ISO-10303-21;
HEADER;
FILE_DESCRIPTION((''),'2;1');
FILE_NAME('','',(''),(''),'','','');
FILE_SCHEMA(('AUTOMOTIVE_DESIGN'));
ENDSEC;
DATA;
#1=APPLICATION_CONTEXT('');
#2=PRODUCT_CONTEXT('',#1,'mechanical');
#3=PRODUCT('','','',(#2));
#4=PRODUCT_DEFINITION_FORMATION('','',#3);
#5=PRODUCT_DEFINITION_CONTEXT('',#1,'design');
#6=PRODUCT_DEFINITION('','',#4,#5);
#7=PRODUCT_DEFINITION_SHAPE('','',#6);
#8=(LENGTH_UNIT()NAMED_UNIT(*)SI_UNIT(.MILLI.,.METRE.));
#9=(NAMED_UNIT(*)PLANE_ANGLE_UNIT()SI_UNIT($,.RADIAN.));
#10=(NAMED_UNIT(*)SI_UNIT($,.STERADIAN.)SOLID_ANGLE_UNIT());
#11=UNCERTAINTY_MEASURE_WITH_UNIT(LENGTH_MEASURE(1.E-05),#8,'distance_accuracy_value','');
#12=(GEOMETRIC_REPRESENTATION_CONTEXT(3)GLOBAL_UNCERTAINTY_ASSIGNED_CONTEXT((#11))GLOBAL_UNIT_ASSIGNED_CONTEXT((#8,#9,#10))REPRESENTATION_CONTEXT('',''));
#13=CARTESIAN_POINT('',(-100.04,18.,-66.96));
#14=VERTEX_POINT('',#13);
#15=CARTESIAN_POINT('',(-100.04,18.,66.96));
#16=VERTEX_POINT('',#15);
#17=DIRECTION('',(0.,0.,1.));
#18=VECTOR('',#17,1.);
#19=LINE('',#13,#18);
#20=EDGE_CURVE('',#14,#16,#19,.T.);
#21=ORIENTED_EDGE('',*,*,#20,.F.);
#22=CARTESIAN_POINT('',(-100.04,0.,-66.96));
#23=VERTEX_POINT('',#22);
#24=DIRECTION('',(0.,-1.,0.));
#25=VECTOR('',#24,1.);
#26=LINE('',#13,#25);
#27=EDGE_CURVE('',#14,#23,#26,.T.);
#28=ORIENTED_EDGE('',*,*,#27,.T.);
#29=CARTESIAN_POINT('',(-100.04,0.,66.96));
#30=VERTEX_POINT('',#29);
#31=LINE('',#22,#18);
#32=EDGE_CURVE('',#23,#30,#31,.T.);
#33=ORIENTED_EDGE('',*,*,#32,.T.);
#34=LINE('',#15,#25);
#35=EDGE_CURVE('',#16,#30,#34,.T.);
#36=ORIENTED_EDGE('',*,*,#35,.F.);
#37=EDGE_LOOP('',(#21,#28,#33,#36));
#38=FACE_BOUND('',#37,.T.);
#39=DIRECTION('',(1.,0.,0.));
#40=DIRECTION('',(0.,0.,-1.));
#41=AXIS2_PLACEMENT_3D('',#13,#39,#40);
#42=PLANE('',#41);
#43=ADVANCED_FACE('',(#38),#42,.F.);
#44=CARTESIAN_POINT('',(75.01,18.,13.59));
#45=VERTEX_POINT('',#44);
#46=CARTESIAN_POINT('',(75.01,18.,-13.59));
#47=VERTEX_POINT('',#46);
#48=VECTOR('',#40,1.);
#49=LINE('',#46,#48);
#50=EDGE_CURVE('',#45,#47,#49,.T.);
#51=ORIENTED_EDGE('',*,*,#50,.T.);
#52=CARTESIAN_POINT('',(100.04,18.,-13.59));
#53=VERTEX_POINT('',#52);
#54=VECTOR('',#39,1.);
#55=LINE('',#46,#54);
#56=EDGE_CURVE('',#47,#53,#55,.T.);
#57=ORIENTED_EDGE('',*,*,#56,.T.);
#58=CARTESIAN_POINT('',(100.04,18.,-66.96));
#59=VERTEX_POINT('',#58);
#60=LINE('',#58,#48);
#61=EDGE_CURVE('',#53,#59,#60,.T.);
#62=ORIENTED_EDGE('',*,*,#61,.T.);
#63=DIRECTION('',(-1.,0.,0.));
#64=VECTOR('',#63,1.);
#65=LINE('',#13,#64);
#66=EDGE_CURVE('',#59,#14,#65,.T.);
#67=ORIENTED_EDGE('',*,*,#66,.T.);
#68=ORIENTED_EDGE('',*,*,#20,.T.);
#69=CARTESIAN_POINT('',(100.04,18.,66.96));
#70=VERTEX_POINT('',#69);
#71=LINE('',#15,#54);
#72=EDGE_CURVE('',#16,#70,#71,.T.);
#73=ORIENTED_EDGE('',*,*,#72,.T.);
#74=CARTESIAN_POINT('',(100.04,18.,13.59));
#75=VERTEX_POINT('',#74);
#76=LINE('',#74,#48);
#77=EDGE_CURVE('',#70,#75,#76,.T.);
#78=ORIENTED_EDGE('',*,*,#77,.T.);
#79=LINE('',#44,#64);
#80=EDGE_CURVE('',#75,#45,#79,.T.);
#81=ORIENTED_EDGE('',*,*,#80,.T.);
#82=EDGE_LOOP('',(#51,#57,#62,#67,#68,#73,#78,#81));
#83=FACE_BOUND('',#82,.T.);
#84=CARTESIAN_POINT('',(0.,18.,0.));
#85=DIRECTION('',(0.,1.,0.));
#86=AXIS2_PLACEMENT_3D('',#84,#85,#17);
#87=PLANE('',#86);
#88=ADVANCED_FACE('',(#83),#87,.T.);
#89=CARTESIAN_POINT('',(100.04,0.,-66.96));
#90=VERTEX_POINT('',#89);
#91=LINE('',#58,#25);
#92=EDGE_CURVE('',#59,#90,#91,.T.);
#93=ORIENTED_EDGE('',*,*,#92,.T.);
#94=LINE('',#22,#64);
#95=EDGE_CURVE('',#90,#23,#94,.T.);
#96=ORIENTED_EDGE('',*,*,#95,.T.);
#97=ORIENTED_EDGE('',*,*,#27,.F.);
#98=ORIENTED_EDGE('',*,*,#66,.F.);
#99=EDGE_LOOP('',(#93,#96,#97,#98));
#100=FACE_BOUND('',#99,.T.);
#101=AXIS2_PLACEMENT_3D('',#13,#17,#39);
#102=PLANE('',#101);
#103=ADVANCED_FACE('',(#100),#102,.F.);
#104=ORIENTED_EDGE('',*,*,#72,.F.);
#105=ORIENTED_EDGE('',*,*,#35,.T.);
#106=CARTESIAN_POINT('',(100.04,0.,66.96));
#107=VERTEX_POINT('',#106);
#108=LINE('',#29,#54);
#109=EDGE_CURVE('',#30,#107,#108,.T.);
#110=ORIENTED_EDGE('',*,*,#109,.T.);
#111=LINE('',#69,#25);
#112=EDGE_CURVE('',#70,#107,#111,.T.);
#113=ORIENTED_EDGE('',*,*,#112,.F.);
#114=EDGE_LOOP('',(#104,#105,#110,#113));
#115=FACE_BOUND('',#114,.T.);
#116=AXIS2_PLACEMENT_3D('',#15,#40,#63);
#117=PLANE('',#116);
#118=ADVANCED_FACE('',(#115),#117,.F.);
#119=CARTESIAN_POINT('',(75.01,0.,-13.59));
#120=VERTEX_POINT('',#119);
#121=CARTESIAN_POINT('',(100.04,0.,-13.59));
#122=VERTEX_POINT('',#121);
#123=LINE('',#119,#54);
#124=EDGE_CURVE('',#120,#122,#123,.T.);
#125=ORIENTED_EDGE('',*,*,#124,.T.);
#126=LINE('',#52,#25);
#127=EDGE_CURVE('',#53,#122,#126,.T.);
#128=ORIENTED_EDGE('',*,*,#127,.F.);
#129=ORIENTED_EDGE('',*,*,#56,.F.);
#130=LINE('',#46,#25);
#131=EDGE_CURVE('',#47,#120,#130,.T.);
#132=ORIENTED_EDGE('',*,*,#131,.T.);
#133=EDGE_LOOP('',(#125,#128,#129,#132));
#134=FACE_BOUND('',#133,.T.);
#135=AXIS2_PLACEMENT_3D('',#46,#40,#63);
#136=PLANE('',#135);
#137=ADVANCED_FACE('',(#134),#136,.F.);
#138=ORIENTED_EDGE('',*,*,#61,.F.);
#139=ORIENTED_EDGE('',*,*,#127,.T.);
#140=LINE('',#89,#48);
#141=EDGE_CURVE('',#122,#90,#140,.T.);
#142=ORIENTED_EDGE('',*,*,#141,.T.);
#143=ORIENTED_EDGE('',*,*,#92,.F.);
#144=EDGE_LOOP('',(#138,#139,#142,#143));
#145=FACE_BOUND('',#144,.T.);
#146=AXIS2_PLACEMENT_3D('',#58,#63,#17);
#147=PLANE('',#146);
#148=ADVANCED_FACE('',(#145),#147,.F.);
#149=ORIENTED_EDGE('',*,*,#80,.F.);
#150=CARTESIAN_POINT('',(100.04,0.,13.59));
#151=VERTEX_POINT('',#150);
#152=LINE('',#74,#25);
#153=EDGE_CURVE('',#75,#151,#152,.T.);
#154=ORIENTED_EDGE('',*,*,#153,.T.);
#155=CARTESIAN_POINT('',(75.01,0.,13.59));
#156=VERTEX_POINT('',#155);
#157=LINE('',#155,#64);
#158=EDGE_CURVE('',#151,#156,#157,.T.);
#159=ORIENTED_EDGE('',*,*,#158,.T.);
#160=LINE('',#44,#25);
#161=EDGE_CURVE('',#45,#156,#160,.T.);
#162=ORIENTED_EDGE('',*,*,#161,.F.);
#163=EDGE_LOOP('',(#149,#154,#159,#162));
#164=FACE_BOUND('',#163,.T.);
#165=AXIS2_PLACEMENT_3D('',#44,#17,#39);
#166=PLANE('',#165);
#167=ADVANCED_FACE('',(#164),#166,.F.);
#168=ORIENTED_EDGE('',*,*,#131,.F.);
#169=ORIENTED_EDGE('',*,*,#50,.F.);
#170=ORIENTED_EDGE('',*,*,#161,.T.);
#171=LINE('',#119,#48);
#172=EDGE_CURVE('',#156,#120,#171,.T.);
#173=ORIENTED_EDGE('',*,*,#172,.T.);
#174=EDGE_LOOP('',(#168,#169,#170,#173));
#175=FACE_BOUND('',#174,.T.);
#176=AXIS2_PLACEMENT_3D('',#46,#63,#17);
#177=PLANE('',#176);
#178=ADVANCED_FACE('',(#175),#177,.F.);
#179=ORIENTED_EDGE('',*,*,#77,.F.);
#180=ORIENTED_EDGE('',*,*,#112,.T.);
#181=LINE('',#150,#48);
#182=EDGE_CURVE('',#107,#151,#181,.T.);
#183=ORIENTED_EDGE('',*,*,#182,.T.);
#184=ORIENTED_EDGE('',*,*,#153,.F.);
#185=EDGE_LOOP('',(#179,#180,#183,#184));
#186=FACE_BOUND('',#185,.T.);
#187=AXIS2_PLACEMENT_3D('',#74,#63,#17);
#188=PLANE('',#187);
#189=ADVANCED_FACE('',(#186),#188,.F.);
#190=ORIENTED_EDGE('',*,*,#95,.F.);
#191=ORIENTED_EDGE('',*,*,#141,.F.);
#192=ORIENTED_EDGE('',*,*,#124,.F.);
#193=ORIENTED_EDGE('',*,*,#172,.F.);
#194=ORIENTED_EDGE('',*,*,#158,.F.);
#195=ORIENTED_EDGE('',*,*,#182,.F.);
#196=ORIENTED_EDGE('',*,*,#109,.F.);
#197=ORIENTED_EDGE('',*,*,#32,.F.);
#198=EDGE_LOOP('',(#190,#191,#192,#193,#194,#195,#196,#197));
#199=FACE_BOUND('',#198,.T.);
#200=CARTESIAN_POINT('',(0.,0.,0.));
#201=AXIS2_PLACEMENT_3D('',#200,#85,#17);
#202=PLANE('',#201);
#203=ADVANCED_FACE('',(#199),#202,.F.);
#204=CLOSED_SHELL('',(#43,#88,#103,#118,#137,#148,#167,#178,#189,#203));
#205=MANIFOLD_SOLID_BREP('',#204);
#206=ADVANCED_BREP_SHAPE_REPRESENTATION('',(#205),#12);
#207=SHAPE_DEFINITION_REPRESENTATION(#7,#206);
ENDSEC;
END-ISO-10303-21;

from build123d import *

# Parameters (mm, degrees)
EXTRUDE_1_DEPTH = 18


with BuildPart() as part:
    # 草图1 → 凸台-拉伸1 (new body)
    with BuildSketch(Plane(origin=(0, 0, 0), x_dir=(1, 0, 0), z_dir=(0, 1, 0))):
        Polygon((-100.04, 66.96), (100.04, 66.96), (100.04, 13.59), (75.01, 13.59), (75.01, -13.59), (100.04, -13.59), (100.04, -66.96), (-100.04, -66.96), align=None)
    extrude(amount=EXTRUDE_1_DEPTH)


solid = part.part
